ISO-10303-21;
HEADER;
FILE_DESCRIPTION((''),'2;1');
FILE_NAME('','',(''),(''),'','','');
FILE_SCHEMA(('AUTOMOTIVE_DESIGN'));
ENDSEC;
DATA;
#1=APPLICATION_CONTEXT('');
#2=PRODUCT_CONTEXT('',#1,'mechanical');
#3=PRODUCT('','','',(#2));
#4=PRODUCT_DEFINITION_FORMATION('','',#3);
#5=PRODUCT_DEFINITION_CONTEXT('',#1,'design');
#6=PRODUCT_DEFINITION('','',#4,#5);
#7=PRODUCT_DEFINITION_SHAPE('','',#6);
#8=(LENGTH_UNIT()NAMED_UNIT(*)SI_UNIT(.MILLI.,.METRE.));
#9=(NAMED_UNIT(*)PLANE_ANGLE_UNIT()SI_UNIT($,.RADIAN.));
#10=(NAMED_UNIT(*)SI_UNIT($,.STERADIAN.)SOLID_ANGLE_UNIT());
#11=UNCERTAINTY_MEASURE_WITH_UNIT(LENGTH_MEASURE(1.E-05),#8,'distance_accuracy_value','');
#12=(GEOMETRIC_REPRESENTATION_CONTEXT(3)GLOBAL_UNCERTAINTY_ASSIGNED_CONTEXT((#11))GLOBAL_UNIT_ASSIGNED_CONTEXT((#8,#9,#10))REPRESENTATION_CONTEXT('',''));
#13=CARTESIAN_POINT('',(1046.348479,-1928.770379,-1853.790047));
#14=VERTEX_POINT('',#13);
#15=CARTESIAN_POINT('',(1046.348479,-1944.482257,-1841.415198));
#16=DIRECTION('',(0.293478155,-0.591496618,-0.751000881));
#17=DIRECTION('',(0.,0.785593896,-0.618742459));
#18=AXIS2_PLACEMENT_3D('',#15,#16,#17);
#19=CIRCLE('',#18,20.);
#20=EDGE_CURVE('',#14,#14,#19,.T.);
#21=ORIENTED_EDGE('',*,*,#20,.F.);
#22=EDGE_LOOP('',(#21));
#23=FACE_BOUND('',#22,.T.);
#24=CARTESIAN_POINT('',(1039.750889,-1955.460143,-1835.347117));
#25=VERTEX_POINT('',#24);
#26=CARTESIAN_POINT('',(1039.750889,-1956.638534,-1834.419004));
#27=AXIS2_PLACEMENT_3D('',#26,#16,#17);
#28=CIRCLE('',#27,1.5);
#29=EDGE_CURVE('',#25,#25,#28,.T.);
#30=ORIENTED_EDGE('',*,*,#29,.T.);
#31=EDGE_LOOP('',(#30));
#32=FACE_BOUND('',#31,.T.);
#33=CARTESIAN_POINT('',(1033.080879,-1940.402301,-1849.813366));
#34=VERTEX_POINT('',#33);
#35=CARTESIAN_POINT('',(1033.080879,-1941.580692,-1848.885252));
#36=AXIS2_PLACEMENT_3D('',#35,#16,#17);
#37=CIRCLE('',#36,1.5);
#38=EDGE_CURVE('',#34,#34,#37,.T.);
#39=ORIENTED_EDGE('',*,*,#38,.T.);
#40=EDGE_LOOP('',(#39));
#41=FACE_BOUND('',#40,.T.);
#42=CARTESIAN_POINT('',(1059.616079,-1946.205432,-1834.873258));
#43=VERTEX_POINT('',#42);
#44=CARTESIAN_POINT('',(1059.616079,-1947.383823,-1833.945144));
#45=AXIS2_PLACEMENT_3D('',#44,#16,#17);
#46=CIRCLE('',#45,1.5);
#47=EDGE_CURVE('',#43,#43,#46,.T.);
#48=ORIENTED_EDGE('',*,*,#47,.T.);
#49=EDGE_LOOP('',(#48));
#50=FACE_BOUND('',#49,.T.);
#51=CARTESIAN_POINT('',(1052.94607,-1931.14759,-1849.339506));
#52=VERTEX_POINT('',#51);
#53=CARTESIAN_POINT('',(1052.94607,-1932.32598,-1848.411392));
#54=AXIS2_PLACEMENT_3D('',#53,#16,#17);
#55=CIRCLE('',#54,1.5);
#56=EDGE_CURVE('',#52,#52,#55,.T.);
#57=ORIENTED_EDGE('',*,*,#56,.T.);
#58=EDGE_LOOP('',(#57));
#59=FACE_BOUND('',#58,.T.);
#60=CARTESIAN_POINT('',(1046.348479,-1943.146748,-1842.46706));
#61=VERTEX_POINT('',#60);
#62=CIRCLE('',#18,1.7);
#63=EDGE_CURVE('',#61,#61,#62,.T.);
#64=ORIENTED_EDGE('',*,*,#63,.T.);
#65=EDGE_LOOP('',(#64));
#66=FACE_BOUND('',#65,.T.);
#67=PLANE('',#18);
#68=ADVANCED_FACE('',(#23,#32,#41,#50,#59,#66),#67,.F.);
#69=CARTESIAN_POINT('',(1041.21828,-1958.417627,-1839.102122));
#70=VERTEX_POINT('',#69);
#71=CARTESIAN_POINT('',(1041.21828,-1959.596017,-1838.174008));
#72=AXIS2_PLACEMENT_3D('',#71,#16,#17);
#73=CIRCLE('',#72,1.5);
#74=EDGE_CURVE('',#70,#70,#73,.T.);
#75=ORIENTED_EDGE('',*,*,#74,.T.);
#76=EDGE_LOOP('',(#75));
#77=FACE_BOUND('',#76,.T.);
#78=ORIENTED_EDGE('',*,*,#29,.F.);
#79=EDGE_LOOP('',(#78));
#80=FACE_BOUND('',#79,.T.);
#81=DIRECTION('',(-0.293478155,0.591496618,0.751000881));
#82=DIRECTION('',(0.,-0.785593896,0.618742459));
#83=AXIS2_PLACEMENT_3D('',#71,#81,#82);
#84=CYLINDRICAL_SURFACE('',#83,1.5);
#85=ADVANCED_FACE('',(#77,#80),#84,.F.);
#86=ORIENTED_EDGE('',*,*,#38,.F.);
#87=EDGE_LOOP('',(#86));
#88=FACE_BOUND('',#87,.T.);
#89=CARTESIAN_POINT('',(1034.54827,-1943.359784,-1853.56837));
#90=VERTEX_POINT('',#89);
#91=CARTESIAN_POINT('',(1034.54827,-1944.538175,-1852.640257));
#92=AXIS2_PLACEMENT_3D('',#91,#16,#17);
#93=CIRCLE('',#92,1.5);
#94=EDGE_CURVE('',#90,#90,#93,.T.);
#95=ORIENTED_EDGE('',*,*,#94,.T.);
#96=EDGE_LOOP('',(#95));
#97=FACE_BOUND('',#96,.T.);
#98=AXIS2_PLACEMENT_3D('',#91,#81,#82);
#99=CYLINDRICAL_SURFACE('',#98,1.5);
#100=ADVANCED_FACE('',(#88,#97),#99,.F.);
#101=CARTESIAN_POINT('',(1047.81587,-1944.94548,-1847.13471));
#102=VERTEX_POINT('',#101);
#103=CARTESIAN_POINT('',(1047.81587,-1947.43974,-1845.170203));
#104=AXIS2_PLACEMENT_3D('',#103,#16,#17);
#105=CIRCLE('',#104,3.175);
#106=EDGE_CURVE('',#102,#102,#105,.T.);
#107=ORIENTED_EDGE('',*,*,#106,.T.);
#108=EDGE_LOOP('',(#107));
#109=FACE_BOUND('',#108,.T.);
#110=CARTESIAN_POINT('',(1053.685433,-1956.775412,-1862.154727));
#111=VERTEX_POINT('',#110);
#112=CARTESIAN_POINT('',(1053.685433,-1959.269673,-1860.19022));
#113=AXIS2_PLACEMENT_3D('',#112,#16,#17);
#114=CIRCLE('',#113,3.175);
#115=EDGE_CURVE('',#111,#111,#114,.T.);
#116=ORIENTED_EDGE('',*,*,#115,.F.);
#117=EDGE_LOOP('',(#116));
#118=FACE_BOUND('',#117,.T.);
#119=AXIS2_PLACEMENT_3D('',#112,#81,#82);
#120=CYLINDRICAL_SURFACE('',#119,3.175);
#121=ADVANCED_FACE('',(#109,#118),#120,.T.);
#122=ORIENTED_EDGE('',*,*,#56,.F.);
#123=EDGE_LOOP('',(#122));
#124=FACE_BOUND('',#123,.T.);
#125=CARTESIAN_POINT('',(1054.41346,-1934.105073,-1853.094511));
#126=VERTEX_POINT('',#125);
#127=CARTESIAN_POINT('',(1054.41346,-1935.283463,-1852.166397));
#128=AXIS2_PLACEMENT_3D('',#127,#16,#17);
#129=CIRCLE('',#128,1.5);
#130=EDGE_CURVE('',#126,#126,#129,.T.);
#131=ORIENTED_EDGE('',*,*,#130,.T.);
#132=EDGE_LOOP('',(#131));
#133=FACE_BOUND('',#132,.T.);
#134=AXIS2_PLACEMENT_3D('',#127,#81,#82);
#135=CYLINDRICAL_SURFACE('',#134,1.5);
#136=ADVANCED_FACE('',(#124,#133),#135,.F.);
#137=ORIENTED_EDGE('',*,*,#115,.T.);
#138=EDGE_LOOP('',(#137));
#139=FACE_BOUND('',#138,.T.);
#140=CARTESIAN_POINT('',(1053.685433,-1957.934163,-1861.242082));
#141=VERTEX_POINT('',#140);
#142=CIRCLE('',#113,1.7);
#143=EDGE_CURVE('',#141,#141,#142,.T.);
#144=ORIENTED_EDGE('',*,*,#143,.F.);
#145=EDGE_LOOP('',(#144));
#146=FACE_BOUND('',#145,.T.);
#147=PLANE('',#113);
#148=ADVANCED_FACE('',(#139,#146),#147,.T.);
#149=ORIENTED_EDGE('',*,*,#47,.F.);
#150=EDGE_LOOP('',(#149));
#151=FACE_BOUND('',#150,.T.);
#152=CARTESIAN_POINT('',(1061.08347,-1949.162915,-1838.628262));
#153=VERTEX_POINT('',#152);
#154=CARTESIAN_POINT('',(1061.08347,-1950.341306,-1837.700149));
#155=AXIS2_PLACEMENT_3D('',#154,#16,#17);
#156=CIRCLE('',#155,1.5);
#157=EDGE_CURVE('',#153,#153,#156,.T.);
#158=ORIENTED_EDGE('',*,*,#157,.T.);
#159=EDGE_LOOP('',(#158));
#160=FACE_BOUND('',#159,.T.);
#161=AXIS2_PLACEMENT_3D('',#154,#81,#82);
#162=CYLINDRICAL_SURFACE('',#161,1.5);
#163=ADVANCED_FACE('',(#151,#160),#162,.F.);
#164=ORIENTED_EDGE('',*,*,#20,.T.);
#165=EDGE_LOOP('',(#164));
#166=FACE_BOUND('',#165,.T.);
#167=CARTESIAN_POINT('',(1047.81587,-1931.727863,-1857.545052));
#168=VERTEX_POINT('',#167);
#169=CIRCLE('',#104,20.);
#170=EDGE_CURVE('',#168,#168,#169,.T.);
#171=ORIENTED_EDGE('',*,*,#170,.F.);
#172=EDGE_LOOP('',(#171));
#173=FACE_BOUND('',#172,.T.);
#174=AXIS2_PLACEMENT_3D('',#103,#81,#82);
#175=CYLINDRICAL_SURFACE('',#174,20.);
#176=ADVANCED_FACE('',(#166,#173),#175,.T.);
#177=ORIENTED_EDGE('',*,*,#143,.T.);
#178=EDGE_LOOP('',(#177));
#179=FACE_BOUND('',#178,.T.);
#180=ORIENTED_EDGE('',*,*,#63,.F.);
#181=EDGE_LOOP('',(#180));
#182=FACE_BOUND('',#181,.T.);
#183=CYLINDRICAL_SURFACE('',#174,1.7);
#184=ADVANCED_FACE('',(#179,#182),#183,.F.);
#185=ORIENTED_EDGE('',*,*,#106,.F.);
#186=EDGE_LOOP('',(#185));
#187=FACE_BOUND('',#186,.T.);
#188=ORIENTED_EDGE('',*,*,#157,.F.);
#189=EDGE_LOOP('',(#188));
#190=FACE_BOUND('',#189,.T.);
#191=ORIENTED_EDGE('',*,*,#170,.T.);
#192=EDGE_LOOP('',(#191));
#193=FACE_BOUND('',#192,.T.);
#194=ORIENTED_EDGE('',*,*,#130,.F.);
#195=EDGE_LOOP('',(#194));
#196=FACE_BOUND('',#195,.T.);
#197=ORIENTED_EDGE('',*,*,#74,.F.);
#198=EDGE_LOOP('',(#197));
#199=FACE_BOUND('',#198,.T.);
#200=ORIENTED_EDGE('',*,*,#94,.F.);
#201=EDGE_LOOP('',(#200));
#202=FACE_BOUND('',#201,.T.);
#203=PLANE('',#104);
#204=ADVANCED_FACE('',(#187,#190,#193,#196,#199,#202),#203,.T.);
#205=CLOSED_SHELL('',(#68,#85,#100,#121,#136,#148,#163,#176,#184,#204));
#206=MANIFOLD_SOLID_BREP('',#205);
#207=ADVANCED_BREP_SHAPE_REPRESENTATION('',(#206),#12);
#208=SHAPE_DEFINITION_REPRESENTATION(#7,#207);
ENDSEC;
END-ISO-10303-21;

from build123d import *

# Parameters (mm, degrees)
SKETCH2_R           = 20
SKETCH2_R_2         = 1.5
SKETCH2_R_3         = 1.7
BOSS_EXTRUDE1_DEPTH = 5
SKETCH3_R           = 3.175
SKETCH3_R_2         = 1.7
BOSS_EXTRUDE2_DEPTH = 20


with BuildPart() as part:
    # Sketch2 → Boss-Extrude1 (new body)
    with BuildSketch(Plane(origin=(1017.735415605, -1937.183603399, -1858.345189311), x_dir=(0.8559741923471083, -0.18719779462757935, 0.48193896680211135), z_dir=(0.29347815464948085, -0.5914966179297112, -0.751000881305241))):
        with Locations(Location((34.01755861, 1.186625698, 0), (0, 0, 243.560182317))):
            Circle(SKETCH2_R)
        with Locations(Location((34.01755861, 16.686625698, 0), (0, 0, 243.560182317))):
            Circle(SKETCH2_R_2, mode=Mode.SUBTRACT)
        with Locations(Location((49.51755861, 1.186625698, 0), (0, 0, 243.560182317))):
            Circle(SKETCH2_R_2, mode=Mode.SUBTRACT)
        with Locations(Location((34.01755861, -14.313374302, 0), (0, 0, 243.560182317))):
            Circle(SKETCH2_R_2, mode=Mode.SUBTRACT)
        with Locations(Location((18.51755861, 1.186625698, 0), (0, 0, 243.560182317))):
            Circle(SKETCH2_R_2, mode=Mode.SUBTRACT)
        with Locations(Location((34.01755861, 1.186625698, 0), (0, 0, 243.560182317))):
            Circle(SKETCH2_R_3, mode=Mode.SUBTRACT)
    extrude(amount=BOSS_EXTRUDE1_DEPTH)

    # Sketch3 → Boss-Extrude2 (add)
    with BuildSketch(Plane(origin=(834.98630085, -1682.890413292, -2136.702299239), x_dir=(-0.2324508381951698, 0.717861154062507, -0.6562331684016045), z_dir=(0.2934781546494809, -0.5914966179297112, -0.7510008813052411))):
        with Locations(Location((-430.695128581, 121.554274761, 0), (0, 0, 14.073010208))):
            Circle(SKETCH3_R)
        with Locations(Location((-430.695128581, 121.554274761, 0), (0, 0, 14.073010208))):
            Circle(SKETCH3_R_2, mode=Mode.SUBTRACT)
    extrude(amount=BOSS_EXTRUDE2_DEPTH)


solid = part.part
